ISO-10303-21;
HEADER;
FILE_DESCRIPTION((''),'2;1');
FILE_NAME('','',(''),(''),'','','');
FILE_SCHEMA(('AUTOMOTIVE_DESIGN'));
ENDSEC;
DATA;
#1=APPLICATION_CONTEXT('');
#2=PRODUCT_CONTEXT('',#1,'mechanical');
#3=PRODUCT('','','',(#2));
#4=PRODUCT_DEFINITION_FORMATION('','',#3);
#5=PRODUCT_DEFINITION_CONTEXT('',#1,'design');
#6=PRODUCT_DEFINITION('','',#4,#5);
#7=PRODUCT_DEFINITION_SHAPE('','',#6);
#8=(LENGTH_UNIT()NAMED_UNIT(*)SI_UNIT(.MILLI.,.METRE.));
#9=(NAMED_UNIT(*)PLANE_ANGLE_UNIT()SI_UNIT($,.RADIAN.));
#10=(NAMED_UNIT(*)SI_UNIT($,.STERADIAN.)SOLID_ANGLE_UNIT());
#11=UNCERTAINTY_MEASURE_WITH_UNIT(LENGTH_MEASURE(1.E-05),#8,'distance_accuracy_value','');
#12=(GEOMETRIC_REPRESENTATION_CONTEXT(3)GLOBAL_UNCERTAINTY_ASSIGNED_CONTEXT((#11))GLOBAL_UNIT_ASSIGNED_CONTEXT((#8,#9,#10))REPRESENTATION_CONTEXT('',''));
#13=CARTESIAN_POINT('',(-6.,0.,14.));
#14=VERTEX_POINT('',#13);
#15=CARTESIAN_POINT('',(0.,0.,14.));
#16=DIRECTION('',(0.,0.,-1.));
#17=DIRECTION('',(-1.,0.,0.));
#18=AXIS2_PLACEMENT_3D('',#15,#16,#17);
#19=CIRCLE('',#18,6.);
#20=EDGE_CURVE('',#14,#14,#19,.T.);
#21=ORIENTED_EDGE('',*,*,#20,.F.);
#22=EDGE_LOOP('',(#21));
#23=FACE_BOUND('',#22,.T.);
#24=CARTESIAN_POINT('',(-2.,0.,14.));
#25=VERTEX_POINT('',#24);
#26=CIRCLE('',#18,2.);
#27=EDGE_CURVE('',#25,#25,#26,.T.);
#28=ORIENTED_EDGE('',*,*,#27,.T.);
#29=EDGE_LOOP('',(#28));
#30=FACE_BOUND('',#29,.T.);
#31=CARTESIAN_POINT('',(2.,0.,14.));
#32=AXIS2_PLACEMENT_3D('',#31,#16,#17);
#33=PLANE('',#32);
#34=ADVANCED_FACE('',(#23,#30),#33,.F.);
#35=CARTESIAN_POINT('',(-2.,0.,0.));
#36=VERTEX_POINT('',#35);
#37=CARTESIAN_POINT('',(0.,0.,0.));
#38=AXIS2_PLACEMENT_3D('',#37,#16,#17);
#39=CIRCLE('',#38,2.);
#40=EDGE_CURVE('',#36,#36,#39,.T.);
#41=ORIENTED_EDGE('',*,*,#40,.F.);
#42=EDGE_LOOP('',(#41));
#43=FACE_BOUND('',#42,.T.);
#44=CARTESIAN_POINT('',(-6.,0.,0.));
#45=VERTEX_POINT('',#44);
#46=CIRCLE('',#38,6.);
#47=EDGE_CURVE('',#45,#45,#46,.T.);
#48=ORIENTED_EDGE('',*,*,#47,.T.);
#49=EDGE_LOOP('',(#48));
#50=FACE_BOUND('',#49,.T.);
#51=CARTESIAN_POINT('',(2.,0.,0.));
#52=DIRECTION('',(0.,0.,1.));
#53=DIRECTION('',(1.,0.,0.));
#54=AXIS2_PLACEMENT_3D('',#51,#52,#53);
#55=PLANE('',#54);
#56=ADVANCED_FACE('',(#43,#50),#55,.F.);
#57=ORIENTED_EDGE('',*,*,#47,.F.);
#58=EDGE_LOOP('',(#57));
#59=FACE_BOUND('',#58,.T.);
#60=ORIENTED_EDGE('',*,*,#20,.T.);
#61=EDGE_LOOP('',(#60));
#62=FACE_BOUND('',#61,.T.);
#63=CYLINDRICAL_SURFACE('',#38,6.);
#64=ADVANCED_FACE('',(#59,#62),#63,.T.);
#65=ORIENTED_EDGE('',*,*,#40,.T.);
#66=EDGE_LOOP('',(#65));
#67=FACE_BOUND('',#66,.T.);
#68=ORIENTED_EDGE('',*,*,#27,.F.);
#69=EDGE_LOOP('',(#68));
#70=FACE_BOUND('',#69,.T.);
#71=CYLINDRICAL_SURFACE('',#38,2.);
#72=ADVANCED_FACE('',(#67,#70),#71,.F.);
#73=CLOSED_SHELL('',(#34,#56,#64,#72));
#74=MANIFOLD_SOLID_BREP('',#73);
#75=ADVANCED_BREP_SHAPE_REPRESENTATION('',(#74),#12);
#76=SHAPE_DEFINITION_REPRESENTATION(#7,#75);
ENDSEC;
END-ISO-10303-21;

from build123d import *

# Parameters (mm, degrees)
ANNULUSPROFILE_W = 4
ANNULUSPROFILE_H = 14


with BuildPart() as part:
    # AnnulusProfile → Revolution (revolve)
    with BuildSketch(Plane(origin=(0, 0, 0), x_dir=(1, 0, 0), z_dir=(0, 1, 0)), mode=Mode.PRIVATE) as revolution_sk:
        with Locations((4, -7)):
            Rectangle(ANNULUSPROFILE_W, ANNULUSPROFILE_H)
    revolve(revolution_sk.sketch.rotate(Axis((0, 0, 0), (0, 0, 1)), 180), axis=Axis((0, 0, 0), (0, 0, 1)))


solid = part.part
